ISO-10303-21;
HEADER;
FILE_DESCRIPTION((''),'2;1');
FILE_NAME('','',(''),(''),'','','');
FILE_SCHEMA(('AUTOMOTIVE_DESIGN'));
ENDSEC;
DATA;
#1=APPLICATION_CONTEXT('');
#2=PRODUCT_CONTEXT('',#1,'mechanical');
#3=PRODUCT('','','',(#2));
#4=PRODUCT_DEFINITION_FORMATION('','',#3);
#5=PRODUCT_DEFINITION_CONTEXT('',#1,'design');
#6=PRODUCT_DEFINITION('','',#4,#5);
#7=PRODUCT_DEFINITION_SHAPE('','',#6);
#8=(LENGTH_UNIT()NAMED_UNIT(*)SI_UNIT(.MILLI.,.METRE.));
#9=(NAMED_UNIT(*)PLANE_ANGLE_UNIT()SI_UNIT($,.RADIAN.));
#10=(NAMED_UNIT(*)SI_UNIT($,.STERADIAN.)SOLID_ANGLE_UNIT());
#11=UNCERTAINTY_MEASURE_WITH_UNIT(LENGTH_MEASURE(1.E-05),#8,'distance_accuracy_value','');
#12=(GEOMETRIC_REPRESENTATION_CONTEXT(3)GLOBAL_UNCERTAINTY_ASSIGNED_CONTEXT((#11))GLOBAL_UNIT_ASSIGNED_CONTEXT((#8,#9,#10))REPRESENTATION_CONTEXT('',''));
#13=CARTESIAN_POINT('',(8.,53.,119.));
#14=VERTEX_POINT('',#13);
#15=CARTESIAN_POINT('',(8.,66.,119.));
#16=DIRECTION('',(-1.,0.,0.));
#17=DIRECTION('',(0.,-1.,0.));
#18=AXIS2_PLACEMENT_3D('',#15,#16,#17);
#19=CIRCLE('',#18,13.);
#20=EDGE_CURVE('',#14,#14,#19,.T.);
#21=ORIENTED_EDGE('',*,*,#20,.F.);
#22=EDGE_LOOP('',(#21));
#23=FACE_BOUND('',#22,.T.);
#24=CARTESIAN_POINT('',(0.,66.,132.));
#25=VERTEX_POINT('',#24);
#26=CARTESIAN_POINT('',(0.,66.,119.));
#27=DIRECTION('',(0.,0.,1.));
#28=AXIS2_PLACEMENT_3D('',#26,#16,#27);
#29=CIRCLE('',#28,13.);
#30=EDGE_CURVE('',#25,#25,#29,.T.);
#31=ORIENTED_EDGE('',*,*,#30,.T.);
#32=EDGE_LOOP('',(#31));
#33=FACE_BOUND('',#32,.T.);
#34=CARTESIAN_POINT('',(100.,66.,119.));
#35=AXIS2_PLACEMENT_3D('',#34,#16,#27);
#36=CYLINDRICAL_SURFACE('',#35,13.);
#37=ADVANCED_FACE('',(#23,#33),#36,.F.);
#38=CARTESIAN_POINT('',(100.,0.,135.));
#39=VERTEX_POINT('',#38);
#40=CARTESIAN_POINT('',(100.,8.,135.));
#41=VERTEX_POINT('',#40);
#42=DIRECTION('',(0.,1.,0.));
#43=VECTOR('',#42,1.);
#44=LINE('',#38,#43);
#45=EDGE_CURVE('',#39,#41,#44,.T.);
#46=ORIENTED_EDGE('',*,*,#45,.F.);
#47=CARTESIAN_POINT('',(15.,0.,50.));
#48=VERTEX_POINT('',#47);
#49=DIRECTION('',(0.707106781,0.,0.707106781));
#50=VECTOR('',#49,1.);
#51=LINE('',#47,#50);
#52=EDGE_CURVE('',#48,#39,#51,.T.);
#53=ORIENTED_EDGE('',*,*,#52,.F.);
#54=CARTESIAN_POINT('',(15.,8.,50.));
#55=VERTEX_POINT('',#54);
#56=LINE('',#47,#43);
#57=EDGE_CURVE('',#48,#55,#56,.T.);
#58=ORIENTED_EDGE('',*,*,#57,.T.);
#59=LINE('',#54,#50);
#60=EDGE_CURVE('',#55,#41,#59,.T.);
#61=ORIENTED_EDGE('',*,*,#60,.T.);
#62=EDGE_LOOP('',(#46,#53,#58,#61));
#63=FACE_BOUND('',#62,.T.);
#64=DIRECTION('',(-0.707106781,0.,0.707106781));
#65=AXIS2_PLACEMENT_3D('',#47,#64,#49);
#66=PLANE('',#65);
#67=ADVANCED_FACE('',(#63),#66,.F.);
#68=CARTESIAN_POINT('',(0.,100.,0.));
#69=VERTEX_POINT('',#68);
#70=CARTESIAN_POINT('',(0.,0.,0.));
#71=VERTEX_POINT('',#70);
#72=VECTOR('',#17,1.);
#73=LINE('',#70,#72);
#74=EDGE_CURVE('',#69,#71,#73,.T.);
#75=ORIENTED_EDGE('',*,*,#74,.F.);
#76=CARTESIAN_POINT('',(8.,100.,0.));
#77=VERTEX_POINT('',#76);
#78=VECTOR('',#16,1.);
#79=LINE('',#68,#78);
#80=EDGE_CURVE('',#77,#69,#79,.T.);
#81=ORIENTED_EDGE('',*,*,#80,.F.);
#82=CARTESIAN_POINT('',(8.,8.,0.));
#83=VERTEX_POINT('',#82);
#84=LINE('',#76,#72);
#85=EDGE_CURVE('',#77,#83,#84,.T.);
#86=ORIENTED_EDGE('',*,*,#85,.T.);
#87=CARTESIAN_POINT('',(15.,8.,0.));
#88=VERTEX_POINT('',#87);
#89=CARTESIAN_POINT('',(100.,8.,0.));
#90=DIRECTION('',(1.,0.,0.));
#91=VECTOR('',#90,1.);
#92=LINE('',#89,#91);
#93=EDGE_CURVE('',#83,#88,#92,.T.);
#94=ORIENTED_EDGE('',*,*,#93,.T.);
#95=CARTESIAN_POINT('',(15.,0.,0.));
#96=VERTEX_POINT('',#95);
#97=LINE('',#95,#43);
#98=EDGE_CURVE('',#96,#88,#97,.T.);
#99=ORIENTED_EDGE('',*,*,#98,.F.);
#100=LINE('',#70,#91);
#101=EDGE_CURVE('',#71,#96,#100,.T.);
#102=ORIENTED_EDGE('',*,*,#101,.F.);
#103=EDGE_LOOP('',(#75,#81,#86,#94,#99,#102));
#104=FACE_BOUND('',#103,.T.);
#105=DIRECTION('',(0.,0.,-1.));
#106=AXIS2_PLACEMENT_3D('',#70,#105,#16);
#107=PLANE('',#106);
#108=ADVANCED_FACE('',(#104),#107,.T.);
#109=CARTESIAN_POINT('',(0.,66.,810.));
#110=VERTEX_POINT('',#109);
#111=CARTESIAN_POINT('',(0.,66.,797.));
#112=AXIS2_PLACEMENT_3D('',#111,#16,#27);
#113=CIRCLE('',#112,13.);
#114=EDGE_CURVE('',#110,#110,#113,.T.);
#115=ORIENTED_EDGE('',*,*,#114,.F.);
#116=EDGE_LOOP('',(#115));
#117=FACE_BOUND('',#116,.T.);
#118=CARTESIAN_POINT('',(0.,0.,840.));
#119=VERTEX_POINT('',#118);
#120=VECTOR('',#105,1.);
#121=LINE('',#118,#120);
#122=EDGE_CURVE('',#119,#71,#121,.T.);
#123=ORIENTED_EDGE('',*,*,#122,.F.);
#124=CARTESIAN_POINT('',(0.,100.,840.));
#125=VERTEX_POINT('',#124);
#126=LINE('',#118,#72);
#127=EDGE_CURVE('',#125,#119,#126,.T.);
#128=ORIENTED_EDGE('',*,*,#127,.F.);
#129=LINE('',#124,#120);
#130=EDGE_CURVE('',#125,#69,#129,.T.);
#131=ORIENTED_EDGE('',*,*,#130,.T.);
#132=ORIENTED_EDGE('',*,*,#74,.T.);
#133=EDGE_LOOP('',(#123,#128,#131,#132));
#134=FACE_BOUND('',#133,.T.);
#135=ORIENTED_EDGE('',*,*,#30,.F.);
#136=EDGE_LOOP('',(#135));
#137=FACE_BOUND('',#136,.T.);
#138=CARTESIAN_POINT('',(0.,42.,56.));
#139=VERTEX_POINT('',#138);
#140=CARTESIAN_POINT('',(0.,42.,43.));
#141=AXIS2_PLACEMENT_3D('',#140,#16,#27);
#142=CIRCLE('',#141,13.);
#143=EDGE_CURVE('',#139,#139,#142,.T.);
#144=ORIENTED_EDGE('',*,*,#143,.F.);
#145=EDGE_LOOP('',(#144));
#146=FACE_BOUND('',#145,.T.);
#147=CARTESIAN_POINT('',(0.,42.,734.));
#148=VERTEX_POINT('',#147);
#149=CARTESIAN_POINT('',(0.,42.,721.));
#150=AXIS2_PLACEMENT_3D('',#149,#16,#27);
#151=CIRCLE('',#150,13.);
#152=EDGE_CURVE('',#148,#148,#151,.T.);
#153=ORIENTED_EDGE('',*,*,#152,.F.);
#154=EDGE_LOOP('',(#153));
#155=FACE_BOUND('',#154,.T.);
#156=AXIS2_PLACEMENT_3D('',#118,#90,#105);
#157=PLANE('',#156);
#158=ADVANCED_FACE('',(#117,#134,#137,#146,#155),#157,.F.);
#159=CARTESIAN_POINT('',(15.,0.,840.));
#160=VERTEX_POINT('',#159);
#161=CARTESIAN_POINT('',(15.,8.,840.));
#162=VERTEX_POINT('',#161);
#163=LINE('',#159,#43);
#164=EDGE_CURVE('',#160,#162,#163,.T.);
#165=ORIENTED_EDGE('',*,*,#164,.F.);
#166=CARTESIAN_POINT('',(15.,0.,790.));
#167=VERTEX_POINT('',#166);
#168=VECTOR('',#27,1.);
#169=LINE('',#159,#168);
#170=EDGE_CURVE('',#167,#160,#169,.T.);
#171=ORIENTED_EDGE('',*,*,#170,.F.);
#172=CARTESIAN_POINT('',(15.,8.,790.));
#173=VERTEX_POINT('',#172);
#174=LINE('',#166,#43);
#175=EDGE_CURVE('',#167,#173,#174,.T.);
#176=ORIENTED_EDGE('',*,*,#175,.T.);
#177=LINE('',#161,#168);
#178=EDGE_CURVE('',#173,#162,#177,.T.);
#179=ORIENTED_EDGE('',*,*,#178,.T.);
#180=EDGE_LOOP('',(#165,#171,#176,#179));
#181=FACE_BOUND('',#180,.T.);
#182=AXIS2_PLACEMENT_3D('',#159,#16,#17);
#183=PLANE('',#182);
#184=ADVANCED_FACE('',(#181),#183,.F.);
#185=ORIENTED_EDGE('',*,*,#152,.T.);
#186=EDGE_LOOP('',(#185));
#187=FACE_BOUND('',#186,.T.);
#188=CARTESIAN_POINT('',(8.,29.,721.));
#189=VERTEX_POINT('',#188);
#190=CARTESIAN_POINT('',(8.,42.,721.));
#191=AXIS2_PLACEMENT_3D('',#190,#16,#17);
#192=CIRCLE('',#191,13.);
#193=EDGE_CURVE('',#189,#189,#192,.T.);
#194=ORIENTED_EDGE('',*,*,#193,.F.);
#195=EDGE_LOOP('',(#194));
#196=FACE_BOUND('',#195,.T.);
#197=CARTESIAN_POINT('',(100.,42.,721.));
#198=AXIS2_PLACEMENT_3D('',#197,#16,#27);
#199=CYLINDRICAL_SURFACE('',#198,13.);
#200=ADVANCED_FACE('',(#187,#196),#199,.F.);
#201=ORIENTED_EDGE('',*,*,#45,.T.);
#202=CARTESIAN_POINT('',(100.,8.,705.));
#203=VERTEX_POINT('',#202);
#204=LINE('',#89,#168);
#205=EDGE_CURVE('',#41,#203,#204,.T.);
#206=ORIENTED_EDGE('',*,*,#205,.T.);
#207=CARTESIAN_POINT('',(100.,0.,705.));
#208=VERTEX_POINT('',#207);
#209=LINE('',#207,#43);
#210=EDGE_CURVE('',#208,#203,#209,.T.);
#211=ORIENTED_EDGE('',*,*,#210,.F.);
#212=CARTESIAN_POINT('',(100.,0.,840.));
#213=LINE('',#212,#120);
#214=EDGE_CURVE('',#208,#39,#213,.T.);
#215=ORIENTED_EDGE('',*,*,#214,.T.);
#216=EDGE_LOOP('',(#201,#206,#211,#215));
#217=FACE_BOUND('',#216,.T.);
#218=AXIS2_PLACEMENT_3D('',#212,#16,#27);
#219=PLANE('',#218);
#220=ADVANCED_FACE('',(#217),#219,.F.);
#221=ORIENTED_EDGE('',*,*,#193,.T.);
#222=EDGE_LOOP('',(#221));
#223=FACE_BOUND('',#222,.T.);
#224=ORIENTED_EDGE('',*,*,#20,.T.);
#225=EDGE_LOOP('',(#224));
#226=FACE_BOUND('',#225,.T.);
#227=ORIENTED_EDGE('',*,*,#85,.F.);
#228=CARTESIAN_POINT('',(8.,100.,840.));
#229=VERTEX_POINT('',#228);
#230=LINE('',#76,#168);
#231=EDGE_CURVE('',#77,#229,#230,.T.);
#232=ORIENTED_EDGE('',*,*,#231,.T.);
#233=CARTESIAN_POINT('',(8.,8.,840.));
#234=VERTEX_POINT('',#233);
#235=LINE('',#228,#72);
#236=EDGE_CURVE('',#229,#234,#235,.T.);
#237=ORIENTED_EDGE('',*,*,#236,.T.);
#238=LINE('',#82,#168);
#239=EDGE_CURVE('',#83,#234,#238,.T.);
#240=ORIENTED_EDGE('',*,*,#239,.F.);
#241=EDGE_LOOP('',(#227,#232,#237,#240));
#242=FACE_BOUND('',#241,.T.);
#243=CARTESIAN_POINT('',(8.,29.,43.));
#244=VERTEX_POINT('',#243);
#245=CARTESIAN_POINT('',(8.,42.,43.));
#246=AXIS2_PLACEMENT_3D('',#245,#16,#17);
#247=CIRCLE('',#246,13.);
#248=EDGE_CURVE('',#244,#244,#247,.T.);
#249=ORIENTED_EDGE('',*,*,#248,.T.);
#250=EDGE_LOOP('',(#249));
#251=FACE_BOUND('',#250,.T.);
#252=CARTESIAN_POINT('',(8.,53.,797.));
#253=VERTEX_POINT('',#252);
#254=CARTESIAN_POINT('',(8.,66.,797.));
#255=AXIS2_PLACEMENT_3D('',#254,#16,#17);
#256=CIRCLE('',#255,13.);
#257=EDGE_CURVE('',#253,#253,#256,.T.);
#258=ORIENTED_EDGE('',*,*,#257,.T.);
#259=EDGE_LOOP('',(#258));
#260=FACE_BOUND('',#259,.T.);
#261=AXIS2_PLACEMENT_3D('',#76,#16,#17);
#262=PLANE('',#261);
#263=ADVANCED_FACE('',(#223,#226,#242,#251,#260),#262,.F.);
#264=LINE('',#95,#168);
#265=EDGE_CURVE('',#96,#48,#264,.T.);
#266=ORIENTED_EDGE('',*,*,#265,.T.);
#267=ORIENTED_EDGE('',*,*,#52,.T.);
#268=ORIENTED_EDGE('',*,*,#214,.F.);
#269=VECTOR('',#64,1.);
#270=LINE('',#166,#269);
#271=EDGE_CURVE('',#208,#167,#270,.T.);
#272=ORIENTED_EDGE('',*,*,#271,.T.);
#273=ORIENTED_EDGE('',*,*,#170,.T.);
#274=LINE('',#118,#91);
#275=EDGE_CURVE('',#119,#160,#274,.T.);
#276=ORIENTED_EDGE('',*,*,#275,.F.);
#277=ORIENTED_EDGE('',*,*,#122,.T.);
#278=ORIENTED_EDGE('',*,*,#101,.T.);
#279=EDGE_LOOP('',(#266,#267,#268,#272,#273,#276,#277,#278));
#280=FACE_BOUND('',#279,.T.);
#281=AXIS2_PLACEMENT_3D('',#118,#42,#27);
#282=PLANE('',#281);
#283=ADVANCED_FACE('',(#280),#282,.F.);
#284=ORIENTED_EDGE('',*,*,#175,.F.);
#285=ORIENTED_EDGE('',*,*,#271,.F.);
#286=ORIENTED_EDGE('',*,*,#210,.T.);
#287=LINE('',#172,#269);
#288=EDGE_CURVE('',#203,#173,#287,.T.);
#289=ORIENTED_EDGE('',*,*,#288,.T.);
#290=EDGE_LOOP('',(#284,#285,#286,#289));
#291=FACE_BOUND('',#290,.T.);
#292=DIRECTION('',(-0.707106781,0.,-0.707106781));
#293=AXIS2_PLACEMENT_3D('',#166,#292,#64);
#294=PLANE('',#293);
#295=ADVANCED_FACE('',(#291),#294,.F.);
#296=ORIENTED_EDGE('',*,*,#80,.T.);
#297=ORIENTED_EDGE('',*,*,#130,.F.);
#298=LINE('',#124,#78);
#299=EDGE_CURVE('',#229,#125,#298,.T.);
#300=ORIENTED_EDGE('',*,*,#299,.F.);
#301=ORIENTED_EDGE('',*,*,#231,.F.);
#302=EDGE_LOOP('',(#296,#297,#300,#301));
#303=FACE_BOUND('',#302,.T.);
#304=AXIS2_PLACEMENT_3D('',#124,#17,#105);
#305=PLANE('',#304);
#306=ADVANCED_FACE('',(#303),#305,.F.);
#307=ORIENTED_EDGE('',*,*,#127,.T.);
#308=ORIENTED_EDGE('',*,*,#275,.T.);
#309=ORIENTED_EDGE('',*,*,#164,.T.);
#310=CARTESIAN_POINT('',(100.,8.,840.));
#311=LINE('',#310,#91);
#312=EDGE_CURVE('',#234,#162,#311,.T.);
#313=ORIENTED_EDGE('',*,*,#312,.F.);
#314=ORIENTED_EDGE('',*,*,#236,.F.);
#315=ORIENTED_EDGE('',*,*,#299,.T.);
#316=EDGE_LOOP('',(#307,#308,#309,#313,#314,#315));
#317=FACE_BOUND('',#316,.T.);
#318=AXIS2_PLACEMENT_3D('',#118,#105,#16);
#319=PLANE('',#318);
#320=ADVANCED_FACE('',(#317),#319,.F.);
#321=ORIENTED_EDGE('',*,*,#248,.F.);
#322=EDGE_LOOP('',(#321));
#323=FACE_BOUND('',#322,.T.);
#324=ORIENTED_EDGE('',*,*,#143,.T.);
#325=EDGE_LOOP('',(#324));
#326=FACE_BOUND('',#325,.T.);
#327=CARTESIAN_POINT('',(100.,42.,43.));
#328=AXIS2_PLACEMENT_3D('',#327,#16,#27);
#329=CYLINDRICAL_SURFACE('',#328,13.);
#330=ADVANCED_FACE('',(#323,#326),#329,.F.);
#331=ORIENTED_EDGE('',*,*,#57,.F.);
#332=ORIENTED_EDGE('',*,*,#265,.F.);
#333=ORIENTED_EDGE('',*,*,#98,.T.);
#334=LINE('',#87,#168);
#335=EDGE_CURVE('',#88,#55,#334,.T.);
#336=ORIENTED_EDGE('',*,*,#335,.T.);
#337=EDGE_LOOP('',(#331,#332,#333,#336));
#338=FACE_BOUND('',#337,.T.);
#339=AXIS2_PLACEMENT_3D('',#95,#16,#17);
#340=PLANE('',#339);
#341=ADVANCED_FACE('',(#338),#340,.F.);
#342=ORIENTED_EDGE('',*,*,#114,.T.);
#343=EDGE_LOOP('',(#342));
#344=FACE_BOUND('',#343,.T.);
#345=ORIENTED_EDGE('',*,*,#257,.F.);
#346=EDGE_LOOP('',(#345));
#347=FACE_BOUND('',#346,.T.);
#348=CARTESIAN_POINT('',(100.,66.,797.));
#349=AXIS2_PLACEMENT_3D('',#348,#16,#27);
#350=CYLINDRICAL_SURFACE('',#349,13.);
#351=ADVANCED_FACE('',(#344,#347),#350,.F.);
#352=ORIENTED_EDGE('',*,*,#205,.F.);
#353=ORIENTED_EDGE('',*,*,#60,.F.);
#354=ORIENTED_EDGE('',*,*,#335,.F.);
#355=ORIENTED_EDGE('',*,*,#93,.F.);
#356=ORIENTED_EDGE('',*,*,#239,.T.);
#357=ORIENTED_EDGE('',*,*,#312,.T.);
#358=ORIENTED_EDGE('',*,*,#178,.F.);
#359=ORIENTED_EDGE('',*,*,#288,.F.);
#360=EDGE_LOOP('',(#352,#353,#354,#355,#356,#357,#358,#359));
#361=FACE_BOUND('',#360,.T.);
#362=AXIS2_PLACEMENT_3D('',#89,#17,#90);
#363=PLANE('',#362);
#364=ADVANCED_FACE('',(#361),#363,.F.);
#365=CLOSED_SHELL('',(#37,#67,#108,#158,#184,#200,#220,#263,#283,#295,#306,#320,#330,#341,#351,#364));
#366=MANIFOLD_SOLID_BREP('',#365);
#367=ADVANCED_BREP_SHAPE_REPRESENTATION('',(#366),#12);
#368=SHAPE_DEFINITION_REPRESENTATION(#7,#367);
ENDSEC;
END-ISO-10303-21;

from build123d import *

# Parameters (mm, degrees)
SKETCH_1_W          = 100
SKETCH_1_H          = 100
EXTRUDE_1_DEPTH     = 840
SKETCH_2_W          = 92
SKETCH_2_H          = 92
CUT_EXTRUDE_1_DEPTH = 852.821577562
SKETCH_3_R          = 13
CUT_EXTRUDE_2_DEPTH = 852.821577562
CUT_EXTRUDE_3_DEPTH = 851.919502656


with BuildPart() as part:
    # 草图1 → 凸台-拉伸1 (new body)
    with BuildSketch(Plane.XY):
        with Locations((50, 50)):
            Rectangle(SKETCH_1_W, SKETCH_1_H)
    extrude(amount=EXTRUDE_1_DEPTH)

    # 草图2 → 切除-拉伸1 (cut, through all)
    with BuildSketch(Plane.XY.offset(840)):
        with Locations((54, 54)):
            Rectangle(SKETCH_2_W, SKETCH_2_H)
    extrude(amount=-CUT_EXTRUDE_1_DEPTH, mode=Mode.SUBTRACT)

    # 草图3 → 切除-拉伸2 (cut, through all)
    with BuildSketch(Plane.ZY):
        with Locations((43, 42)):
            Circle(SKETCH_3_R)
        with Locations((119, 66)):
            Circle(SKETCH_3_R)
        with Locations((797, 66)):
            Circle(SKETCH_3_R)
        with Locations((721, 42)):
            Circle(SKETCH_3_R)
    extrude(amount=-CUT_EXTRUDE_2_DEPTH, mode=Mode.SUBTRACT)

    # 草图4 → 切除-拉伸3 (cut, through all)
    with BuildSketch(Plane(origin=(0, 8, 0), x_dir=(1, 0, 0), z_dir=(0, 1, 0))):
        Polygon((15, 0), (15, -50), (100, -135), (100, 0), align=None)
        Polygon((15, -840), (15, -790), (100, -705), (100, -840), align=None)
    extrude(amount=-CUT_EXTRUDE_3_DEPTH, mode=Mode.SUBTRACT)


solid = part.part
